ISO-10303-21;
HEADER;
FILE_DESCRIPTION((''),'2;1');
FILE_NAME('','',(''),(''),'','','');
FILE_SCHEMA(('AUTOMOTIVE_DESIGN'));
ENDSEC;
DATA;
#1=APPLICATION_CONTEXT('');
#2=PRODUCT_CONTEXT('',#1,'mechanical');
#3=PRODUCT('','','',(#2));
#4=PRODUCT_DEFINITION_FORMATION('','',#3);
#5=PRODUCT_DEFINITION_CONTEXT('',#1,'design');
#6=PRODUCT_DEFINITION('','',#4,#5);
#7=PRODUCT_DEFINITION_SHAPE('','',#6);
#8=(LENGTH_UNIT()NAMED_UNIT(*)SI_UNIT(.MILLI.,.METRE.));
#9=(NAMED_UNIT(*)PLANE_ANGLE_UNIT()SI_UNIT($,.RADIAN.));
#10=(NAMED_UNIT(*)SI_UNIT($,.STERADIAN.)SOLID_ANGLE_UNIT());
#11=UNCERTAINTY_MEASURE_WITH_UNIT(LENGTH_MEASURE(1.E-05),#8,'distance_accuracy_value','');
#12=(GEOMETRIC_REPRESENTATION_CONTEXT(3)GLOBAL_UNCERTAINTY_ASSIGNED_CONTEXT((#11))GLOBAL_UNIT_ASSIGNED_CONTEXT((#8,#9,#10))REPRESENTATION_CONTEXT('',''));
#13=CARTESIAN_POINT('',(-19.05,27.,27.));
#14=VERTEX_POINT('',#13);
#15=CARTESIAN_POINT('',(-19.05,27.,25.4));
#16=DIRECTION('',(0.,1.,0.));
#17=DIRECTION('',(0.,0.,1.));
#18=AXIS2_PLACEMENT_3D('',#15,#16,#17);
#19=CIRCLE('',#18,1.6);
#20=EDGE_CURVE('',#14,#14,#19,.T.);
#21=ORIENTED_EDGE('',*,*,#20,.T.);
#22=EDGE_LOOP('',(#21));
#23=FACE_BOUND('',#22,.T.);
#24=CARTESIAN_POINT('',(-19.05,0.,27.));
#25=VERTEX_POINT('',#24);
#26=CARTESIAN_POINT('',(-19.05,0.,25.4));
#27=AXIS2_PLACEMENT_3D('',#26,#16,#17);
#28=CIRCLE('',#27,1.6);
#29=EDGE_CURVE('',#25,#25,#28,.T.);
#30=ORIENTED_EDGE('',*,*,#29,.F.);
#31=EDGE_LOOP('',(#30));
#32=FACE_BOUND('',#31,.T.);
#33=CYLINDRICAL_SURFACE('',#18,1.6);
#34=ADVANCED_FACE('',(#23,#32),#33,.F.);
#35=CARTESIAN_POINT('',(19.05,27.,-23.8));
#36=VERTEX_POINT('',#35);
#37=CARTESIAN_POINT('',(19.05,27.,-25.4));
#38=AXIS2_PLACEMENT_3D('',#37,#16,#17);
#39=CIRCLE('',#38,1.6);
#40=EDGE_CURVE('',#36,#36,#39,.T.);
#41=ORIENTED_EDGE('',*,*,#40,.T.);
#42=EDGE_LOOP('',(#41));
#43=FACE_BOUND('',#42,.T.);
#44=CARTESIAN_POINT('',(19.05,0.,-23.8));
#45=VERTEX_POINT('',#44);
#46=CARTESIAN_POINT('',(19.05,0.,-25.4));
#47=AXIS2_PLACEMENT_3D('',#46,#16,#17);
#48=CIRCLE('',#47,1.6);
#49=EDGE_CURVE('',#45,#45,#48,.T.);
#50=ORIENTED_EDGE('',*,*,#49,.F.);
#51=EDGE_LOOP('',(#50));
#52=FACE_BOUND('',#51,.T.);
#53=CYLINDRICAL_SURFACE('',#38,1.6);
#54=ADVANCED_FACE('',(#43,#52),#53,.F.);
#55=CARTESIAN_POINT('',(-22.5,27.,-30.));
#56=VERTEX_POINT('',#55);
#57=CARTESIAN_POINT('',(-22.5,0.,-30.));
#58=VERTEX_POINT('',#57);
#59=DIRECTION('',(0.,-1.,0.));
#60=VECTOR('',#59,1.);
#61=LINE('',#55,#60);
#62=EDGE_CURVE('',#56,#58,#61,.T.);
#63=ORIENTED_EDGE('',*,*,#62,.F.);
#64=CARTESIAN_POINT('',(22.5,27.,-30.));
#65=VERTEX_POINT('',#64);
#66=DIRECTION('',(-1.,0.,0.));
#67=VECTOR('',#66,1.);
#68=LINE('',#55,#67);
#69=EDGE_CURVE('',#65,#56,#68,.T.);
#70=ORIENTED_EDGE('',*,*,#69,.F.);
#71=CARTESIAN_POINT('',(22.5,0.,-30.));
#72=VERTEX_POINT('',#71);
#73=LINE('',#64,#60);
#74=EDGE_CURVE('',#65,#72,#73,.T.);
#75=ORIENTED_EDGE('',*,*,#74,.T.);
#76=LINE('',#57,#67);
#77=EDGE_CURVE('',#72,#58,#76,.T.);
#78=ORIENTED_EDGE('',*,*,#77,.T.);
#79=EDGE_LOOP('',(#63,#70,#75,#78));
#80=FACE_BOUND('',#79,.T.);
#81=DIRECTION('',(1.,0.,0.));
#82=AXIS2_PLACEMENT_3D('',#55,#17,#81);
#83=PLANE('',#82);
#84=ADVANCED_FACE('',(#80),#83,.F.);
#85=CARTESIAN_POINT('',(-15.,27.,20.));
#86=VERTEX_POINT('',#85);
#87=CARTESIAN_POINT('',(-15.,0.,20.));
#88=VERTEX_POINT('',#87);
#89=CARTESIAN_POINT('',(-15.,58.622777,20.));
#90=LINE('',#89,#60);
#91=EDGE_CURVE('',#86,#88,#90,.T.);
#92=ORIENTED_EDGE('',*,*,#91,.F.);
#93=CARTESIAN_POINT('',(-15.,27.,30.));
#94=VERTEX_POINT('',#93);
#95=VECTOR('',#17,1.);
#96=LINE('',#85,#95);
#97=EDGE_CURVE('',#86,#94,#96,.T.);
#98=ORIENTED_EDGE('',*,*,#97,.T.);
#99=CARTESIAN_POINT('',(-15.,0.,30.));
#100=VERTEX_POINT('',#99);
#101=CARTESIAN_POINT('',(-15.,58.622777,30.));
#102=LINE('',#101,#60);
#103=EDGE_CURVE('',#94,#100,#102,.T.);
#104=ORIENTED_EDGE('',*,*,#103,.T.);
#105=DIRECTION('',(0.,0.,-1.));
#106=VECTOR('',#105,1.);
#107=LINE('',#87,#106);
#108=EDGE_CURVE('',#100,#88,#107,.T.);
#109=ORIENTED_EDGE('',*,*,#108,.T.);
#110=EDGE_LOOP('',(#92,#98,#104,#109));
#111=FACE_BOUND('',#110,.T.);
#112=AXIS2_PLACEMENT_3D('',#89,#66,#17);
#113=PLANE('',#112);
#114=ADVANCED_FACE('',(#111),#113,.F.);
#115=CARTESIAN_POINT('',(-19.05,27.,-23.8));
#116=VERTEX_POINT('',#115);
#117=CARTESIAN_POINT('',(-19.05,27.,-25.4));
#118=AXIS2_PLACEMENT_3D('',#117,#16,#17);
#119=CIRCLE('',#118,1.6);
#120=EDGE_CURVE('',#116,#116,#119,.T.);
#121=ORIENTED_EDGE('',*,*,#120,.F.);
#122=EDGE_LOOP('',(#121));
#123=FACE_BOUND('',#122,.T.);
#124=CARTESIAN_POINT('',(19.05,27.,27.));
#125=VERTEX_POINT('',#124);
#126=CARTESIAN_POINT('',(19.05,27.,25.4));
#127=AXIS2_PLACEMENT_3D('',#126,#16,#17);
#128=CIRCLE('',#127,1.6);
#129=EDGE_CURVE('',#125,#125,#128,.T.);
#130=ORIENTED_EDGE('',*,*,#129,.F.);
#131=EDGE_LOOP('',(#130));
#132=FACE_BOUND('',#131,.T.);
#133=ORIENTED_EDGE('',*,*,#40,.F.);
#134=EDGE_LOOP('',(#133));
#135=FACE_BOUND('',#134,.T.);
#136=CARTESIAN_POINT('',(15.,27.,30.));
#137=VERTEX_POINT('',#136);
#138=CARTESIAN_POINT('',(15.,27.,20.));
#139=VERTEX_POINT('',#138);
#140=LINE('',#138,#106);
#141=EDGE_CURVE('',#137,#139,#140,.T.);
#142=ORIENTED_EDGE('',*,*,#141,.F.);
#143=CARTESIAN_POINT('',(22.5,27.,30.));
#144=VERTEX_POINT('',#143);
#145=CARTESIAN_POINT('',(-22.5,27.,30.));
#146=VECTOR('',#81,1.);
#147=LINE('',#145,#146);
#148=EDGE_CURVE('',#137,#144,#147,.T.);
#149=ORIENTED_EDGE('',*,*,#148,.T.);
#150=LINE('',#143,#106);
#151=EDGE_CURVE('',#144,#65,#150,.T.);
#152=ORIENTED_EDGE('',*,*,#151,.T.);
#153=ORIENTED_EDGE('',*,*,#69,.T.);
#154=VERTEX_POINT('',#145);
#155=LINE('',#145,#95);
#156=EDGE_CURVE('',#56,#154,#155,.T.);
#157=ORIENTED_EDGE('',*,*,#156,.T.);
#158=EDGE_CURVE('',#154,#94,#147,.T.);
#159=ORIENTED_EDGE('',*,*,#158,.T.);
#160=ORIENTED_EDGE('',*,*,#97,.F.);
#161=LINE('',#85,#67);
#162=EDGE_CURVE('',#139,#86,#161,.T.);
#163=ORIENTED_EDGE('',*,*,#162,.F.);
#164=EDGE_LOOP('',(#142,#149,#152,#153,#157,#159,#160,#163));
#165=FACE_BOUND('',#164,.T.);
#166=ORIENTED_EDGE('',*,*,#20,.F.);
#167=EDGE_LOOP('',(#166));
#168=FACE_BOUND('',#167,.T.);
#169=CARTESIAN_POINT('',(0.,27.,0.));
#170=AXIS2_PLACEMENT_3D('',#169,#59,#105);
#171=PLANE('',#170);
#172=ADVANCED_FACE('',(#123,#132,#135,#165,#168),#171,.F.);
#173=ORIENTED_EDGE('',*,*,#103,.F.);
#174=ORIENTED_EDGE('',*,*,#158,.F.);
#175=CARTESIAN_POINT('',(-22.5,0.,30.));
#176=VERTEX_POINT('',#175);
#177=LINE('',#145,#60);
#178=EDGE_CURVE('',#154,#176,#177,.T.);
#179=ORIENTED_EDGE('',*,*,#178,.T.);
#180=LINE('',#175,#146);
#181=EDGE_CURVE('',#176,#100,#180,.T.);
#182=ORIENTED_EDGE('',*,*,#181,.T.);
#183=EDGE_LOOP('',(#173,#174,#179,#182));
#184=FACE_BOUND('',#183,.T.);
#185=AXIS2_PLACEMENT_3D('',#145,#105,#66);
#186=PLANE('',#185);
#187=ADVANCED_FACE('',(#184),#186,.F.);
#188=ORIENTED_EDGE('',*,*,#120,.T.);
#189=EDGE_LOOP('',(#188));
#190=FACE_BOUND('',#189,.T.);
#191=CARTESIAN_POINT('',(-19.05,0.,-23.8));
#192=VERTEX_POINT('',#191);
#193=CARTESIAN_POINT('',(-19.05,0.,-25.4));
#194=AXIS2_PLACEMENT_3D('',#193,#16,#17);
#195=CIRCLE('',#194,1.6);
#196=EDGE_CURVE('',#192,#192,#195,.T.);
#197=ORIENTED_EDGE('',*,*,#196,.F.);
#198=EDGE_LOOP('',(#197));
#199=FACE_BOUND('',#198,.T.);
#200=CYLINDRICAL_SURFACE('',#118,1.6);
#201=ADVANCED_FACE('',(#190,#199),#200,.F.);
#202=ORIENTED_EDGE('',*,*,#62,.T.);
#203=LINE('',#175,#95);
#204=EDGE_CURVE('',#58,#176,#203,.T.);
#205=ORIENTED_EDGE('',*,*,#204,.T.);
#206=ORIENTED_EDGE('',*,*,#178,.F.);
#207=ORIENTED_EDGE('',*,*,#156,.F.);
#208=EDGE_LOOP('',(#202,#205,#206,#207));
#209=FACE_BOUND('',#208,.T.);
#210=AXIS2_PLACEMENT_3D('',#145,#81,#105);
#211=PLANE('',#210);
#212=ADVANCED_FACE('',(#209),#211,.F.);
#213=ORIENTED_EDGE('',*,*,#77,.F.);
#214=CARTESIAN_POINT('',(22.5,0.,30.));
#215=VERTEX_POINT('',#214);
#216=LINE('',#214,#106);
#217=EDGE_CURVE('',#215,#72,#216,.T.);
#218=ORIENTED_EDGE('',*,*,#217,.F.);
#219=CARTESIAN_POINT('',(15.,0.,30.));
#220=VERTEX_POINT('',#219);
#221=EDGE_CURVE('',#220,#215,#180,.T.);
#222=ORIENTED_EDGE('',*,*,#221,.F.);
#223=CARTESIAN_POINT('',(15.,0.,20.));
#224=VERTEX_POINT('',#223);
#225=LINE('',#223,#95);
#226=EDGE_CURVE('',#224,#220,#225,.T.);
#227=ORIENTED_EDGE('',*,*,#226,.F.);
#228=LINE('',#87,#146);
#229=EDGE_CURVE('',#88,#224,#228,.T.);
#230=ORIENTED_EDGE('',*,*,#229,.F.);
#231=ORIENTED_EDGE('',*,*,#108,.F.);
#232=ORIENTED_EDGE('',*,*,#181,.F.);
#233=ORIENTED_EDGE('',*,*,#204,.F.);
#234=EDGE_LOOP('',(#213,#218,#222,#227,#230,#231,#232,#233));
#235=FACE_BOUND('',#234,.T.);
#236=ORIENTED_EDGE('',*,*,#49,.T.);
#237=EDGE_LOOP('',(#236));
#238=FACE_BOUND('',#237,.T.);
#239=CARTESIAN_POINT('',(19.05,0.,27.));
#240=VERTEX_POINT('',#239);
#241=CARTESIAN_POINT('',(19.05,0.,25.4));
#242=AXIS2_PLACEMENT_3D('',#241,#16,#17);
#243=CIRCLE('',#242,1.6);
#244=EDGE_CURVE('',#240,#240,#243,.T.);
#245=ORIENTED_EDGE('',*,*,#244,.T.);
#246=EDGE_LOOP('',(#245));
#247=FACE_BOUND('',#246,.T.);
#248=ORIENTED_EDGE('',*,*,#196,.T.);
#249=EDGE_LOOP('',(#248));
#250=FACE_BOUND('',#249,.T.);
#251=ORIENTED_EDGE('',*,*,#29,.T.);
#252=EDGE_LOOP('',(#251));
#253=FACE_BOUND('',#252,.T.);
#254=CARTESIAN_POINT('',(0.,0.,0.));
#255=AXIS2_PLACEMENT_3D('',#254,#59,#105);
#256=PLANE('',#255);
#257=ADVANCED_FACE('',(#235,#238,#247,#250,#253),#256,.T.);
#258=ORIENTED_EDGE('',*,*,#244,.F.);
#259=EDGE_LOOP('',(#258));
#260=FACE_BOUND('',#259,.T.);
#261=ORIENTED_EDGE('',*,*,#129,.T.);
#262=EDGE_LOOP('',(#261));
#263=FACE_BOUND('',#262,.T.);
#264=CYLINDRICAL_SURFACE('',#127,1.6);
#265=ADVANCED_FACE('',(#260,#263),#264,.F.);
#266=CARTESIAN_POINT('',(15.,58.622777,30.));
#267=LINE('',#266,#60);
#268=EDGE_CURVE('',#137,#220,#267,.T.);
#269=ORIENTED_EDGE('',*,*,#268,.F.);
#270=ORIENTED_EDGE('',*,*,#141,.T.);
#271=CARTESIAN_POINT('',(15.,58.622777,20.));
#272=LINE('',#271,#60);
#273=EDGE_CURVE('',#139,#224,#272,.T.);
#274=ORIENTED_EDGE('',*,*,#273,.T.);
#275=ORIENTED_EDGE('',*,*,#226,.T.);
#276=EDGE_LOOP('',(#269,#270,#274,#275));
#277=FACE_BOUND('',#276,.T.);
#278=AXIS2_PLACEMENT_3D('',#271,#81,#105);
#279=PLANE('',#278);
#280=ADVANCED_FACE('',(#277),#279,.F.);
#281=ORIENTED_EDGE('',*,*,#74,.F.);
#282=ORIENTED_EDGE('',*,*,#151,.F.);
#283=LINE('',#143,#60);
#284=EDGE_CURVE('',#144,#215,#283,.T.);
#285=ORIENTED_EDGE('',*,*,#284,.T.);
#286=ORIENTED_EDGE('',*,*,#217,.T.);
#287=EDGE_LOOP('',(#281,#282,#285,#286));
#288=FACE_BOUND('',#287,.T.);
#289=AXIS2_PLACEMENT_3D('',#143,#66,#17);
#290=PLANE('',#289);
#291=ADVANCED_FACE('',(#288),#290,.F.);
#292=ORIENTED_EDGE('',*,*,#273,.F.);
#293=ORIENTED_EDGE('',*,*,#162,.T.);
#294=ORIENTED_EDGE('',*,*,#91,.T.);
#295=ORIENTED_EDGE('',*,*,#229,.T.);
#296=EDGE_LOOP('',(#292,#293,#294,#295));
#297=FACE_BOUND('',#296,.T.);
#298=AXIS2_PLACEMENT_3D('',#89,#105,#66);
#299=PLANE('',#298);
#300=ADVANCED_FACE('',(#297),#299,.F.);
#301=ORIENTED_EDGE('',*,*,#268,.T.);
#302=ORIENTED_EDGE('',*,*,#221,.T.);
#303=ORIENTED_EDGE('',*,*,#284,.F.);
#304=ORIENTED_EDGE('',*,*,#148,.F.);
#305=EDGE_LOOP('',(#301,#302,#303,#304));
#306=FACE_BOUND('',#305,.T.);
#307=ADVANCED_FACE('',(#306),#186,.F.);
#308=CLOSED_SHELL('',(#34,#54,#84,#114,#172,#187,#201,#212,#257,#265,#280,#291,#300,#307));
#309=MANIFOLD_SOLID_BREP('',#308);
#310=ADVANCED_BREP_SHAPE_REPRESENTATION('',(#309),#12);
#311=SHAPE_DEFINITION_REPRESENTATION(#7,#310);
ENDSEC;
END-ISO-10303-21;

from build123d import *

# Parameters (mm, degrees)
ESQUISSE1_W             = 45
ESQUISSE1_H             = 60
BOSS_EXTRU_1_DEPTH      = 27
D_GAGEMENT_M31_D        = 3.2
ESQUISSE4_W             = 30
ESQUISSE4_H             = 10
ENL_V_MAT_EXTRU_1_DEPTH = 27


with BuildPart() as part:
    # Esquisse1 → Boss.-Extru.1 (new body)
    with BuildSketch(Plane(origin=(0, 0, 0), x_dir=(1, 0, 0), z_dir=(0, 1, 0))):
        Rectangle(ESQUISSE1_W, ESQUISSE1_H)
    extrude(amount=BOSS_EXTRU_1_DEPTH)

    # Dégagement M31 (through all)
    with Locations(Plane(origin=(0, 27, 0), x_dir=(1, 0, 0), z_dir=(0, 1, 0))):
        with Locations((-19.05, 25.4), (19.05, 25.4), (19.05, -25.4), (-19.05, -25.4)):
            Hole(D_GAGEMENT_M31_D / 2)

    # Esquisse4 → Enlèv. mat.-Extru.1 (cut)
    with BuildSketch(Plane.XZ):
        with Locations((0, 25)):
            Rectangle(ESQUISSE4_W, ESQUISSE4_H)
    extrude(amount=-ENL_V_MAT_EXTRU_1_DEPTH, mode=Mode.SUBTRACT)


solid = part.part
